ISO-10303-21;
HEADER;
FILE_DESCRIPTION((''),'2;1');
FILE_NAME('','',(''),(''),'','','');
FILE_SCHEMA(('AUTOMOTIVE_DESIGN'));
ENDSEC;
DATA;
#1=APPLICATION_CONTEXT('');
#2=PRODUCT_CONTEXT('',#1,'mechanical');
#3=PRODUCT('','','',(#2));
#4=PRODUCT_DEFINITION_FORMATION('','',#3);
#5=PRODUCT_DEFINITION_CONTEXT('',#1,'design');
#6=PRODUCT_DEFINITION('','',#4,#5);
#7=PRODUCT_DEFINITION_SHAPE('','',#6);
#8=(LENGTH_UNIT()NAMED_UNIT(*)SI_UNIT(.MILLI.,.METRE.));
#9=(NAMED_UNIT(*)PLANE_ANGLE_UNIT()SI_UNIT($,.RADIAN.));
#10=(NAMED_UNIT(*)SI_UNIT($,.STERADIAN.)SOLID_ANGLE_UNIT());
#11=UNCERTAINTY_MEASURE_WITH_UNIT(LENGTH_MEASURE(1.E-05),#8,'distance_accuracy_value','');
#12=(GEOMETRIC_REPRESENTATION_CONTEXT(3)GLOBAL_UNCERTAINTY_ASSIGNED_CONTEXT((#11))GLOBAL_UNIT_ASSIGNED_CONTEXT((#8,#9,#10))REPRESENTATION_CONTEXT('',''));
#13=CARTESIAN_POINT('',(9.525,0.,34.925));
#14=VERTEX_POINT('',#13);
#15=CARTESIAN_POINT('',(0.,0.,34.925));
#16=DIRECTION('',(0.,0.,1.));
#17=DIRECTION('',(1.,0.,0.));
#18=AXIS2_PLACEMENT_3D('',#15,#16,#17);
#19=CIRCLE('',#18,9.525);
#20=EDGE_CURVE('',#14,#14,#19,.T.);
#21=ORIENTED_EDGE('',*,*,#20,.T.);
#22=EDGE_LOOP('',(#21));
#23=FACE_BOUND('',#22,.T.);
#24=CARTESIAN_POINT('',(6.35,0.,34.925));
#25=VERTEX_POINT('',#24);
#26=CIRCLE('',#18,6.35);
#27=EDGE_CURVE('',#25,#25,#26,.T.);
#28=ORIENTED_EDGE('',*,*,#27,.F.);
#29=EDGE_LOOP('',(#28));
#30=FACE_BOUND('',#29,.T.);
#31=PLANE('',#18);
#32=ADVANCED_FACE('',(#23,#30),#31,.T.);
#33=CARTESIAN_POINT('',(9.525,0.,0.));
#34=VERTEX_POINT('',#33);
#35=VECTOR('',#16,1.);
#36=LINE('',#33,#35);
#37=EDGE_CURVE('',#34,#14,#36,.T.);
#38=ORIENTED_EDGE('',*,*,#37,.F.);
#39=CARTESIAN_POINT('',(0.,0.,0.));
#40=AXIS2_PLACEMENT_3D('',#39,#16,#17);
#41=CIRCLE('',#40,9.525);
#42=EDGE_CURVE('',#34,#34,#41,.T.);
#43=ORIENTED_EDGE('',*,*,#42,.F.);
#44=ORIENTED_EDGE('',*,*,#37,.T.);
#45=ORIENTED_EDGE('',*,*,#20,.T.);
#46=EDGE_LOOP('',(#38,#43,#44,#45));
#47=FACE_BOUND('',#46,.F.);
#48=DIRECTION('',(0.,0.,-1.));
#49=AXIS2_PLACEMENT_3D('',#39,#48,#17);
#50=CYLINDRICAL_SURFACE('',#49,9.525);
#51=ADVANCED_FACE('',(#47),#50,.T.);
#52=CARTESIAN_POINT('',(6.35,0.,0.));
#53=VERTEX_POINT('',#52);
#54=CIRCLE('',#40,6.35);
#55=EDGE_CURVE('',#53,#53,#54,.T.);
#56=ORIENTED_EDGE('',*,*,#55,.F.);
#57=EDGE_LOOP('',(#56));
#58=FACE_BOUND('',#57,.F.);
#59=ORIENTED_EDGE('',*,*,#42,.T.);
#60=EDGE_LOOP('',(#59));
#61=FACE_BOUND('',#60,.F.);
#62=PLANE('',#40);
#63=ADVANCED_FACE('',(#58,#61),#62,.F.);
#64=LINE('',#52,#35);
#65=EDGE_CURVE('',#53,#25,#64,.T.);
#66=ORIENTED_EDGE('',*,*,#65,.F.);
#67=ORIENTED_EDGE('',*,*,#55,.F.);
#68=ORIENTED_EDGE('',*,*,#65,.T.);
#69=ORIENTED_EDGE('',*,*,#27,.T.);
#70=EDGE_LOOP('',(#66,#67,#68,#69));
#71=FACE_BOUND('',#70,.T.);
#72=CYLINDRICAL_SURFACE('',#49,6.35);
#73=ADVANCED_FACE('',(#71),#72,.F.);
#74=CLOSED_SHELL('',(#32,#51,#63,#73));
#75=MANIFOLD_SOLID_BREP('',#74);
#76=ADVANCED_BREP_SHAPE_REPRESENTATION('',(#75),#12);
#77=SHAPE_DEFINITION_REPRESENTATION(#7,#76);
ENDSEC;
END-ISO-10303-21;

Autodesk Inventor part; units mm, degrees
ref_plane "YZ Plane" through (0, 0, 0) normal (1, 0, 0) x (0, 1, 0)
ref_plane "XZ Plane" through (0, 0, 0) normal (0, 1, 0) x (-1, 0, 0)
ref_plane "XY Plane" through (0, 0, 0) normal (0, 0, 1) x (1, 0, 0)
sketch "Sketch1" plane through (0, 0, 0) normal (0, 0, 1) x (1, 0, 0)
  circle A0 centre (0, 0) radius 9.525
  circle A1 centre (0, 0) radius 6.35
  dimension "d0" = 19.05
  dimension "d1" = 12.7
extrude "Extrusion1" add sketch "Sketch1" along normal blind 34.925
properties part number "Upper Connecting Standoff" material "Aluminum 6061"
